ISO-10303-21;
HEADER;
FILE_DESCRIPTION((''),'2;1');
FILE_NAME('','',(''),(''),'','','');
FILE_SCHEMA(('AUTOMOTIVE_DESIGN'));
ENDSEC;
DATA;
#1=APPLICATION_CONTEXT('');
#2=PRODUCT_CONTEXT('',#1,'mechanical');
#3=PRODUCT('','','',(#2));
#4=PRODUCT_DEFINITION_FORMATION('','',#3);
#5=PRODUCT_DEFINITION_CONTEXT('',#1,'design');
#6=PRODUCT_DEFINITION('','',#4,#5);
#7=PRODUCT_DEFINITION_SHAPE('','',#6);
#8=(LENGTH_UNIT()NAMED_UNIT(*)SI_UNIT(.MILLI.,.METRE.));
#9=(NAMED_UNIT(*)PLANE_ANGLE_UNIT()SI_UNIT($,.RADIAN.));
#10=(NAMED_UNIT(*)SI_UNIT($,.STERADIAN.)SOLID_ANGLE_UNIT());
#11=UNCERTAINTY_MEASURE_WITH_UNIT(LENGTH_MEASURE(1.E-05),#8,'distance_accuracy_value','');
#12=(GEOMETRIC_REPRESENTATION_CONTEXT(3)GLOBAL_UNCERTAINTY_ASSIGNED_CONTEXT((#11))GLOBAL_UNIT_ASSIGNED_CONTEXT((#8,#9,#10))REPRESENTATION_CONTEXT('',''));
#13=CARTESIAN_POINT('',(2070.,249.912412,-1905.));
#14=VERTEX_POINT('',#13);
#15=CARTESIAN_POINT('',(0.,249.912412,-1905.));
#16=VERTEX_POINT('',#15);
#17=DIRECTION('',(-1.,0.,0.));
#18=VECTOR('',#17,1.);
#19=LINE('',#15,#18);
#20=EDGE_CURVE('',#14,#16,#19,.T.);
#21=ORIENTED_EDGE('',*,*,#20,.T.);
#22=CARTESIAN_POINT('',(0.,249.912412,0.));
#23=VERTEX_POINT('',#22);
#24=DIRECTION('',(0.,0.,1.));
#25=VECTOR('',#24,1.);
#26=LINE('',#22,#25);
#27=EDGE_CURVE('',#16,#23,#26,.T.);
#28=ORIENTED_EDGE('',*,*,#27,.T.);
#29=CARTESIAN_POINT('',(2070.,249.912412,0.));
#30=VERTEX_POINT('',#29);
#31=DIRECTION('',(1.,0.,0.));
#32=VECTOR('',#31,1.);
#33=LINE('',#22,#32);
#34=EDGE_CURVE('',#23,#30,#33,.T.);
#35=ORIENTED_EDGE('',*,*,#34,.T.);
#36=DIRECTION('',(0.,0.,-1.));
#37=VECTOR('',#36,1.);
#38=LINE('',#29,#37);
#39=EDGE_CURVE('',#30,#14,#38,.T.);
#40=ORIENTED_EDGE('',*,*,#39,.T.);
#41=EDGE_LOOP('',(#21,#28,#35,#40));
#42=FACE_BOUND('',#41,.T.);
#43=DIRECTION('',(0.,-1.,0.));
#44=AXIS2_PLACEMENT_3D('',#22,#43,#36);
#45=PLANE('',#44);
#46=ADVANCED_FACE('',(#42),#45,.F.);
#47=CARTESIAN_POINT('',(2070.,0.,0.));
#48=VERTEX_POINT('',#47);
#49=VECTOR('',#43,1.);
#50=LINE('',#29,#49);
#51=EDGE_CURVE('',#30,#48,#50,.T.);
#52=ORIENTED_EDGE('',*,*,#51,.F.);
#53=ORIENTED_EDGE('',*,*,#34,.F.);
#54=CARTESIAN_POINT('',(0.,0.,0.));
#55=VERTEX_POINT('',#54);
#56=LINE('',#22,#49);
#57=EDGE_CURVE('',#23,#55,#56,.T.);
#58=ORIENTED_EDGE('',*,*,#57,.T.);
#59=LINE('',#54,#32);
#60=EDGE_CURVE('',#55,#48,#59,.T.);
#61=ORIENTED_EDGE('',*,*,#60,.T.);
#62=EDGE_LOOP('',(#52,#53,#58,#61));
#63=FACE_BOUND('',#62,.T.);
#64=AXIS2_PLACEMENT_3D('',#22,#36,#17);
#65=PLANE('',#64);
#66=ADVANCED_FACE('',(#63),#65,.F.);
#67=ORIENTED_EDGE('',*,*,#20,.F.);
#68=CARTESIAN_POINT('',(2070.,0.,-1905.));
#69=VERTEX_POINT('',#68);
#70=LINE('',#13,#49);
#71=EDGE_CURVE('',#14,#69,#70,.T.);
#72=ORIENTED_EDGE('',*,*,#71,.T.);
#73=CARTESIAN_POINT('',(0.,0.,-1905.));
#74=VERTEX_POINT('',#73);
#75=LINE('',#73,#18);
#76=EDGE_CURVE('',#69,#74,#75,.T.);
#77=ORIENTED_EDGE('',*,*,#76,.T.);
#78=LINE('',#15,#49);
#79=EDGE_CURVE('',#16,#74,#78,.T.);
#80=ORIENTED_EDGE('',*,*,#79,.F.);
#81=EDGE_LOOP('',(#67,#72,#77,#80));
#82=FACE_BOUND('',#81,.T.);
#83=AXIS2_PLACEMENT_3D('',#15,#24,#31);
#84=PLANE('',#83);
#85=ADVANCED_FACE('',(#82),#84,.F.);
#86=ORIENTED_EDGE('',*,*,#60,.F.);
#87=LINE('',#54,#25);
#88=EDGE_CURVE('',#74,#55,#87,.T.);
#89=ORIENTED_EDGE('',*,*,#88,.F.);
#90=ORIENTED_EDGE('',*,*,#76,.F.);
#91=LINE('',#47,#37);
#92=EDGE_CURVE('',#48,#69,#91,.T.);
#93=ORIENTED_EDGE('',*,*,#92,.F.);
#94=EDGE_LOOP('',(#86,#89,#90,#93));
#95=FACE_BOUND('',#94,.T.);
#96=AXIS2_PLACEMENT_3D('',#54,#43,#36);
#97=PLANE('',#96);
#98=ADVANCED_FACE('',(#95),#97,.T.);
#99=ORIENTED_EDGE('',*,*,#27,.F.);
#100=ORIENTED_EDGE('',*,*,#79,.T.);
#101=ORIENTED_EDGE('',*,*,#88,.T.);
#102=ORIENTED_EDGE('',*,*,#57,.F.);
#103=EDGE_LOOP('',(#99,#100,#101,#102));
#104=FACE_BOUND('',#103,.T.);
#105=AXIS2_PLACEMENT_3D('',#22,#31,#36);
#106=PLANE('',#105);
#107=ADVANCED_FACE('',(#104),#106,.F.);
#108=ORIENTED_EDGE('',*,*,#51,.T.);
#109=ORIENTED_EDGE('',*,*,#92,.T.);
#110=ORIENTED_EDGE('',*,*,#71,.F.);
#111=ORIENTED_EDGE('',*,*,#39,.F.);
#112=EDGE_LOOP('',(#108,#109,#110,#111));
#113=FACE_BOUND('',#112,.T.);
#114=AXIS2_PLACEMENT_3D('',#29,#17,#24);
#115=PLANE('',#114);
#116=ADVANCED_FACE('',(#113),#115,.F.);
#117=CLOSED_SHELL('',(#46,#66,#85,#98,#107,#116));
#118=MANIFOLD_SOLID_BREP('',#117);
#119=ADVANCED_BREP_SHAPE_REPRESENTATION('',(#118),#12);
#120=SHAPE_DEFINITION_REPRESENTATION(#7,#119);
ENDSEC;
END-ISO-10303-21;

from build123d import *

# Parameters (mm, degrees)
SKETCH_1_W      = 2070
SKETCH_1_H      = 1905
EXTRUDE_1_DEPTH = 249.91241198


with BuildPart() as part:
    # 草图1 → 凸台-拉伸1 (new body)
    with BuildSketch(Plane(origin=(0, 0, 0), x_dir=(1, 0, 0), z_dir=(0, 1, 0))):
        with Locations((1035, 952.5)):
            Rectangle(SKETCH_1_W, SKETCH_1_H)
    extrude(amount=EXTRUDE_1_DEPTH)


solid = part.part
